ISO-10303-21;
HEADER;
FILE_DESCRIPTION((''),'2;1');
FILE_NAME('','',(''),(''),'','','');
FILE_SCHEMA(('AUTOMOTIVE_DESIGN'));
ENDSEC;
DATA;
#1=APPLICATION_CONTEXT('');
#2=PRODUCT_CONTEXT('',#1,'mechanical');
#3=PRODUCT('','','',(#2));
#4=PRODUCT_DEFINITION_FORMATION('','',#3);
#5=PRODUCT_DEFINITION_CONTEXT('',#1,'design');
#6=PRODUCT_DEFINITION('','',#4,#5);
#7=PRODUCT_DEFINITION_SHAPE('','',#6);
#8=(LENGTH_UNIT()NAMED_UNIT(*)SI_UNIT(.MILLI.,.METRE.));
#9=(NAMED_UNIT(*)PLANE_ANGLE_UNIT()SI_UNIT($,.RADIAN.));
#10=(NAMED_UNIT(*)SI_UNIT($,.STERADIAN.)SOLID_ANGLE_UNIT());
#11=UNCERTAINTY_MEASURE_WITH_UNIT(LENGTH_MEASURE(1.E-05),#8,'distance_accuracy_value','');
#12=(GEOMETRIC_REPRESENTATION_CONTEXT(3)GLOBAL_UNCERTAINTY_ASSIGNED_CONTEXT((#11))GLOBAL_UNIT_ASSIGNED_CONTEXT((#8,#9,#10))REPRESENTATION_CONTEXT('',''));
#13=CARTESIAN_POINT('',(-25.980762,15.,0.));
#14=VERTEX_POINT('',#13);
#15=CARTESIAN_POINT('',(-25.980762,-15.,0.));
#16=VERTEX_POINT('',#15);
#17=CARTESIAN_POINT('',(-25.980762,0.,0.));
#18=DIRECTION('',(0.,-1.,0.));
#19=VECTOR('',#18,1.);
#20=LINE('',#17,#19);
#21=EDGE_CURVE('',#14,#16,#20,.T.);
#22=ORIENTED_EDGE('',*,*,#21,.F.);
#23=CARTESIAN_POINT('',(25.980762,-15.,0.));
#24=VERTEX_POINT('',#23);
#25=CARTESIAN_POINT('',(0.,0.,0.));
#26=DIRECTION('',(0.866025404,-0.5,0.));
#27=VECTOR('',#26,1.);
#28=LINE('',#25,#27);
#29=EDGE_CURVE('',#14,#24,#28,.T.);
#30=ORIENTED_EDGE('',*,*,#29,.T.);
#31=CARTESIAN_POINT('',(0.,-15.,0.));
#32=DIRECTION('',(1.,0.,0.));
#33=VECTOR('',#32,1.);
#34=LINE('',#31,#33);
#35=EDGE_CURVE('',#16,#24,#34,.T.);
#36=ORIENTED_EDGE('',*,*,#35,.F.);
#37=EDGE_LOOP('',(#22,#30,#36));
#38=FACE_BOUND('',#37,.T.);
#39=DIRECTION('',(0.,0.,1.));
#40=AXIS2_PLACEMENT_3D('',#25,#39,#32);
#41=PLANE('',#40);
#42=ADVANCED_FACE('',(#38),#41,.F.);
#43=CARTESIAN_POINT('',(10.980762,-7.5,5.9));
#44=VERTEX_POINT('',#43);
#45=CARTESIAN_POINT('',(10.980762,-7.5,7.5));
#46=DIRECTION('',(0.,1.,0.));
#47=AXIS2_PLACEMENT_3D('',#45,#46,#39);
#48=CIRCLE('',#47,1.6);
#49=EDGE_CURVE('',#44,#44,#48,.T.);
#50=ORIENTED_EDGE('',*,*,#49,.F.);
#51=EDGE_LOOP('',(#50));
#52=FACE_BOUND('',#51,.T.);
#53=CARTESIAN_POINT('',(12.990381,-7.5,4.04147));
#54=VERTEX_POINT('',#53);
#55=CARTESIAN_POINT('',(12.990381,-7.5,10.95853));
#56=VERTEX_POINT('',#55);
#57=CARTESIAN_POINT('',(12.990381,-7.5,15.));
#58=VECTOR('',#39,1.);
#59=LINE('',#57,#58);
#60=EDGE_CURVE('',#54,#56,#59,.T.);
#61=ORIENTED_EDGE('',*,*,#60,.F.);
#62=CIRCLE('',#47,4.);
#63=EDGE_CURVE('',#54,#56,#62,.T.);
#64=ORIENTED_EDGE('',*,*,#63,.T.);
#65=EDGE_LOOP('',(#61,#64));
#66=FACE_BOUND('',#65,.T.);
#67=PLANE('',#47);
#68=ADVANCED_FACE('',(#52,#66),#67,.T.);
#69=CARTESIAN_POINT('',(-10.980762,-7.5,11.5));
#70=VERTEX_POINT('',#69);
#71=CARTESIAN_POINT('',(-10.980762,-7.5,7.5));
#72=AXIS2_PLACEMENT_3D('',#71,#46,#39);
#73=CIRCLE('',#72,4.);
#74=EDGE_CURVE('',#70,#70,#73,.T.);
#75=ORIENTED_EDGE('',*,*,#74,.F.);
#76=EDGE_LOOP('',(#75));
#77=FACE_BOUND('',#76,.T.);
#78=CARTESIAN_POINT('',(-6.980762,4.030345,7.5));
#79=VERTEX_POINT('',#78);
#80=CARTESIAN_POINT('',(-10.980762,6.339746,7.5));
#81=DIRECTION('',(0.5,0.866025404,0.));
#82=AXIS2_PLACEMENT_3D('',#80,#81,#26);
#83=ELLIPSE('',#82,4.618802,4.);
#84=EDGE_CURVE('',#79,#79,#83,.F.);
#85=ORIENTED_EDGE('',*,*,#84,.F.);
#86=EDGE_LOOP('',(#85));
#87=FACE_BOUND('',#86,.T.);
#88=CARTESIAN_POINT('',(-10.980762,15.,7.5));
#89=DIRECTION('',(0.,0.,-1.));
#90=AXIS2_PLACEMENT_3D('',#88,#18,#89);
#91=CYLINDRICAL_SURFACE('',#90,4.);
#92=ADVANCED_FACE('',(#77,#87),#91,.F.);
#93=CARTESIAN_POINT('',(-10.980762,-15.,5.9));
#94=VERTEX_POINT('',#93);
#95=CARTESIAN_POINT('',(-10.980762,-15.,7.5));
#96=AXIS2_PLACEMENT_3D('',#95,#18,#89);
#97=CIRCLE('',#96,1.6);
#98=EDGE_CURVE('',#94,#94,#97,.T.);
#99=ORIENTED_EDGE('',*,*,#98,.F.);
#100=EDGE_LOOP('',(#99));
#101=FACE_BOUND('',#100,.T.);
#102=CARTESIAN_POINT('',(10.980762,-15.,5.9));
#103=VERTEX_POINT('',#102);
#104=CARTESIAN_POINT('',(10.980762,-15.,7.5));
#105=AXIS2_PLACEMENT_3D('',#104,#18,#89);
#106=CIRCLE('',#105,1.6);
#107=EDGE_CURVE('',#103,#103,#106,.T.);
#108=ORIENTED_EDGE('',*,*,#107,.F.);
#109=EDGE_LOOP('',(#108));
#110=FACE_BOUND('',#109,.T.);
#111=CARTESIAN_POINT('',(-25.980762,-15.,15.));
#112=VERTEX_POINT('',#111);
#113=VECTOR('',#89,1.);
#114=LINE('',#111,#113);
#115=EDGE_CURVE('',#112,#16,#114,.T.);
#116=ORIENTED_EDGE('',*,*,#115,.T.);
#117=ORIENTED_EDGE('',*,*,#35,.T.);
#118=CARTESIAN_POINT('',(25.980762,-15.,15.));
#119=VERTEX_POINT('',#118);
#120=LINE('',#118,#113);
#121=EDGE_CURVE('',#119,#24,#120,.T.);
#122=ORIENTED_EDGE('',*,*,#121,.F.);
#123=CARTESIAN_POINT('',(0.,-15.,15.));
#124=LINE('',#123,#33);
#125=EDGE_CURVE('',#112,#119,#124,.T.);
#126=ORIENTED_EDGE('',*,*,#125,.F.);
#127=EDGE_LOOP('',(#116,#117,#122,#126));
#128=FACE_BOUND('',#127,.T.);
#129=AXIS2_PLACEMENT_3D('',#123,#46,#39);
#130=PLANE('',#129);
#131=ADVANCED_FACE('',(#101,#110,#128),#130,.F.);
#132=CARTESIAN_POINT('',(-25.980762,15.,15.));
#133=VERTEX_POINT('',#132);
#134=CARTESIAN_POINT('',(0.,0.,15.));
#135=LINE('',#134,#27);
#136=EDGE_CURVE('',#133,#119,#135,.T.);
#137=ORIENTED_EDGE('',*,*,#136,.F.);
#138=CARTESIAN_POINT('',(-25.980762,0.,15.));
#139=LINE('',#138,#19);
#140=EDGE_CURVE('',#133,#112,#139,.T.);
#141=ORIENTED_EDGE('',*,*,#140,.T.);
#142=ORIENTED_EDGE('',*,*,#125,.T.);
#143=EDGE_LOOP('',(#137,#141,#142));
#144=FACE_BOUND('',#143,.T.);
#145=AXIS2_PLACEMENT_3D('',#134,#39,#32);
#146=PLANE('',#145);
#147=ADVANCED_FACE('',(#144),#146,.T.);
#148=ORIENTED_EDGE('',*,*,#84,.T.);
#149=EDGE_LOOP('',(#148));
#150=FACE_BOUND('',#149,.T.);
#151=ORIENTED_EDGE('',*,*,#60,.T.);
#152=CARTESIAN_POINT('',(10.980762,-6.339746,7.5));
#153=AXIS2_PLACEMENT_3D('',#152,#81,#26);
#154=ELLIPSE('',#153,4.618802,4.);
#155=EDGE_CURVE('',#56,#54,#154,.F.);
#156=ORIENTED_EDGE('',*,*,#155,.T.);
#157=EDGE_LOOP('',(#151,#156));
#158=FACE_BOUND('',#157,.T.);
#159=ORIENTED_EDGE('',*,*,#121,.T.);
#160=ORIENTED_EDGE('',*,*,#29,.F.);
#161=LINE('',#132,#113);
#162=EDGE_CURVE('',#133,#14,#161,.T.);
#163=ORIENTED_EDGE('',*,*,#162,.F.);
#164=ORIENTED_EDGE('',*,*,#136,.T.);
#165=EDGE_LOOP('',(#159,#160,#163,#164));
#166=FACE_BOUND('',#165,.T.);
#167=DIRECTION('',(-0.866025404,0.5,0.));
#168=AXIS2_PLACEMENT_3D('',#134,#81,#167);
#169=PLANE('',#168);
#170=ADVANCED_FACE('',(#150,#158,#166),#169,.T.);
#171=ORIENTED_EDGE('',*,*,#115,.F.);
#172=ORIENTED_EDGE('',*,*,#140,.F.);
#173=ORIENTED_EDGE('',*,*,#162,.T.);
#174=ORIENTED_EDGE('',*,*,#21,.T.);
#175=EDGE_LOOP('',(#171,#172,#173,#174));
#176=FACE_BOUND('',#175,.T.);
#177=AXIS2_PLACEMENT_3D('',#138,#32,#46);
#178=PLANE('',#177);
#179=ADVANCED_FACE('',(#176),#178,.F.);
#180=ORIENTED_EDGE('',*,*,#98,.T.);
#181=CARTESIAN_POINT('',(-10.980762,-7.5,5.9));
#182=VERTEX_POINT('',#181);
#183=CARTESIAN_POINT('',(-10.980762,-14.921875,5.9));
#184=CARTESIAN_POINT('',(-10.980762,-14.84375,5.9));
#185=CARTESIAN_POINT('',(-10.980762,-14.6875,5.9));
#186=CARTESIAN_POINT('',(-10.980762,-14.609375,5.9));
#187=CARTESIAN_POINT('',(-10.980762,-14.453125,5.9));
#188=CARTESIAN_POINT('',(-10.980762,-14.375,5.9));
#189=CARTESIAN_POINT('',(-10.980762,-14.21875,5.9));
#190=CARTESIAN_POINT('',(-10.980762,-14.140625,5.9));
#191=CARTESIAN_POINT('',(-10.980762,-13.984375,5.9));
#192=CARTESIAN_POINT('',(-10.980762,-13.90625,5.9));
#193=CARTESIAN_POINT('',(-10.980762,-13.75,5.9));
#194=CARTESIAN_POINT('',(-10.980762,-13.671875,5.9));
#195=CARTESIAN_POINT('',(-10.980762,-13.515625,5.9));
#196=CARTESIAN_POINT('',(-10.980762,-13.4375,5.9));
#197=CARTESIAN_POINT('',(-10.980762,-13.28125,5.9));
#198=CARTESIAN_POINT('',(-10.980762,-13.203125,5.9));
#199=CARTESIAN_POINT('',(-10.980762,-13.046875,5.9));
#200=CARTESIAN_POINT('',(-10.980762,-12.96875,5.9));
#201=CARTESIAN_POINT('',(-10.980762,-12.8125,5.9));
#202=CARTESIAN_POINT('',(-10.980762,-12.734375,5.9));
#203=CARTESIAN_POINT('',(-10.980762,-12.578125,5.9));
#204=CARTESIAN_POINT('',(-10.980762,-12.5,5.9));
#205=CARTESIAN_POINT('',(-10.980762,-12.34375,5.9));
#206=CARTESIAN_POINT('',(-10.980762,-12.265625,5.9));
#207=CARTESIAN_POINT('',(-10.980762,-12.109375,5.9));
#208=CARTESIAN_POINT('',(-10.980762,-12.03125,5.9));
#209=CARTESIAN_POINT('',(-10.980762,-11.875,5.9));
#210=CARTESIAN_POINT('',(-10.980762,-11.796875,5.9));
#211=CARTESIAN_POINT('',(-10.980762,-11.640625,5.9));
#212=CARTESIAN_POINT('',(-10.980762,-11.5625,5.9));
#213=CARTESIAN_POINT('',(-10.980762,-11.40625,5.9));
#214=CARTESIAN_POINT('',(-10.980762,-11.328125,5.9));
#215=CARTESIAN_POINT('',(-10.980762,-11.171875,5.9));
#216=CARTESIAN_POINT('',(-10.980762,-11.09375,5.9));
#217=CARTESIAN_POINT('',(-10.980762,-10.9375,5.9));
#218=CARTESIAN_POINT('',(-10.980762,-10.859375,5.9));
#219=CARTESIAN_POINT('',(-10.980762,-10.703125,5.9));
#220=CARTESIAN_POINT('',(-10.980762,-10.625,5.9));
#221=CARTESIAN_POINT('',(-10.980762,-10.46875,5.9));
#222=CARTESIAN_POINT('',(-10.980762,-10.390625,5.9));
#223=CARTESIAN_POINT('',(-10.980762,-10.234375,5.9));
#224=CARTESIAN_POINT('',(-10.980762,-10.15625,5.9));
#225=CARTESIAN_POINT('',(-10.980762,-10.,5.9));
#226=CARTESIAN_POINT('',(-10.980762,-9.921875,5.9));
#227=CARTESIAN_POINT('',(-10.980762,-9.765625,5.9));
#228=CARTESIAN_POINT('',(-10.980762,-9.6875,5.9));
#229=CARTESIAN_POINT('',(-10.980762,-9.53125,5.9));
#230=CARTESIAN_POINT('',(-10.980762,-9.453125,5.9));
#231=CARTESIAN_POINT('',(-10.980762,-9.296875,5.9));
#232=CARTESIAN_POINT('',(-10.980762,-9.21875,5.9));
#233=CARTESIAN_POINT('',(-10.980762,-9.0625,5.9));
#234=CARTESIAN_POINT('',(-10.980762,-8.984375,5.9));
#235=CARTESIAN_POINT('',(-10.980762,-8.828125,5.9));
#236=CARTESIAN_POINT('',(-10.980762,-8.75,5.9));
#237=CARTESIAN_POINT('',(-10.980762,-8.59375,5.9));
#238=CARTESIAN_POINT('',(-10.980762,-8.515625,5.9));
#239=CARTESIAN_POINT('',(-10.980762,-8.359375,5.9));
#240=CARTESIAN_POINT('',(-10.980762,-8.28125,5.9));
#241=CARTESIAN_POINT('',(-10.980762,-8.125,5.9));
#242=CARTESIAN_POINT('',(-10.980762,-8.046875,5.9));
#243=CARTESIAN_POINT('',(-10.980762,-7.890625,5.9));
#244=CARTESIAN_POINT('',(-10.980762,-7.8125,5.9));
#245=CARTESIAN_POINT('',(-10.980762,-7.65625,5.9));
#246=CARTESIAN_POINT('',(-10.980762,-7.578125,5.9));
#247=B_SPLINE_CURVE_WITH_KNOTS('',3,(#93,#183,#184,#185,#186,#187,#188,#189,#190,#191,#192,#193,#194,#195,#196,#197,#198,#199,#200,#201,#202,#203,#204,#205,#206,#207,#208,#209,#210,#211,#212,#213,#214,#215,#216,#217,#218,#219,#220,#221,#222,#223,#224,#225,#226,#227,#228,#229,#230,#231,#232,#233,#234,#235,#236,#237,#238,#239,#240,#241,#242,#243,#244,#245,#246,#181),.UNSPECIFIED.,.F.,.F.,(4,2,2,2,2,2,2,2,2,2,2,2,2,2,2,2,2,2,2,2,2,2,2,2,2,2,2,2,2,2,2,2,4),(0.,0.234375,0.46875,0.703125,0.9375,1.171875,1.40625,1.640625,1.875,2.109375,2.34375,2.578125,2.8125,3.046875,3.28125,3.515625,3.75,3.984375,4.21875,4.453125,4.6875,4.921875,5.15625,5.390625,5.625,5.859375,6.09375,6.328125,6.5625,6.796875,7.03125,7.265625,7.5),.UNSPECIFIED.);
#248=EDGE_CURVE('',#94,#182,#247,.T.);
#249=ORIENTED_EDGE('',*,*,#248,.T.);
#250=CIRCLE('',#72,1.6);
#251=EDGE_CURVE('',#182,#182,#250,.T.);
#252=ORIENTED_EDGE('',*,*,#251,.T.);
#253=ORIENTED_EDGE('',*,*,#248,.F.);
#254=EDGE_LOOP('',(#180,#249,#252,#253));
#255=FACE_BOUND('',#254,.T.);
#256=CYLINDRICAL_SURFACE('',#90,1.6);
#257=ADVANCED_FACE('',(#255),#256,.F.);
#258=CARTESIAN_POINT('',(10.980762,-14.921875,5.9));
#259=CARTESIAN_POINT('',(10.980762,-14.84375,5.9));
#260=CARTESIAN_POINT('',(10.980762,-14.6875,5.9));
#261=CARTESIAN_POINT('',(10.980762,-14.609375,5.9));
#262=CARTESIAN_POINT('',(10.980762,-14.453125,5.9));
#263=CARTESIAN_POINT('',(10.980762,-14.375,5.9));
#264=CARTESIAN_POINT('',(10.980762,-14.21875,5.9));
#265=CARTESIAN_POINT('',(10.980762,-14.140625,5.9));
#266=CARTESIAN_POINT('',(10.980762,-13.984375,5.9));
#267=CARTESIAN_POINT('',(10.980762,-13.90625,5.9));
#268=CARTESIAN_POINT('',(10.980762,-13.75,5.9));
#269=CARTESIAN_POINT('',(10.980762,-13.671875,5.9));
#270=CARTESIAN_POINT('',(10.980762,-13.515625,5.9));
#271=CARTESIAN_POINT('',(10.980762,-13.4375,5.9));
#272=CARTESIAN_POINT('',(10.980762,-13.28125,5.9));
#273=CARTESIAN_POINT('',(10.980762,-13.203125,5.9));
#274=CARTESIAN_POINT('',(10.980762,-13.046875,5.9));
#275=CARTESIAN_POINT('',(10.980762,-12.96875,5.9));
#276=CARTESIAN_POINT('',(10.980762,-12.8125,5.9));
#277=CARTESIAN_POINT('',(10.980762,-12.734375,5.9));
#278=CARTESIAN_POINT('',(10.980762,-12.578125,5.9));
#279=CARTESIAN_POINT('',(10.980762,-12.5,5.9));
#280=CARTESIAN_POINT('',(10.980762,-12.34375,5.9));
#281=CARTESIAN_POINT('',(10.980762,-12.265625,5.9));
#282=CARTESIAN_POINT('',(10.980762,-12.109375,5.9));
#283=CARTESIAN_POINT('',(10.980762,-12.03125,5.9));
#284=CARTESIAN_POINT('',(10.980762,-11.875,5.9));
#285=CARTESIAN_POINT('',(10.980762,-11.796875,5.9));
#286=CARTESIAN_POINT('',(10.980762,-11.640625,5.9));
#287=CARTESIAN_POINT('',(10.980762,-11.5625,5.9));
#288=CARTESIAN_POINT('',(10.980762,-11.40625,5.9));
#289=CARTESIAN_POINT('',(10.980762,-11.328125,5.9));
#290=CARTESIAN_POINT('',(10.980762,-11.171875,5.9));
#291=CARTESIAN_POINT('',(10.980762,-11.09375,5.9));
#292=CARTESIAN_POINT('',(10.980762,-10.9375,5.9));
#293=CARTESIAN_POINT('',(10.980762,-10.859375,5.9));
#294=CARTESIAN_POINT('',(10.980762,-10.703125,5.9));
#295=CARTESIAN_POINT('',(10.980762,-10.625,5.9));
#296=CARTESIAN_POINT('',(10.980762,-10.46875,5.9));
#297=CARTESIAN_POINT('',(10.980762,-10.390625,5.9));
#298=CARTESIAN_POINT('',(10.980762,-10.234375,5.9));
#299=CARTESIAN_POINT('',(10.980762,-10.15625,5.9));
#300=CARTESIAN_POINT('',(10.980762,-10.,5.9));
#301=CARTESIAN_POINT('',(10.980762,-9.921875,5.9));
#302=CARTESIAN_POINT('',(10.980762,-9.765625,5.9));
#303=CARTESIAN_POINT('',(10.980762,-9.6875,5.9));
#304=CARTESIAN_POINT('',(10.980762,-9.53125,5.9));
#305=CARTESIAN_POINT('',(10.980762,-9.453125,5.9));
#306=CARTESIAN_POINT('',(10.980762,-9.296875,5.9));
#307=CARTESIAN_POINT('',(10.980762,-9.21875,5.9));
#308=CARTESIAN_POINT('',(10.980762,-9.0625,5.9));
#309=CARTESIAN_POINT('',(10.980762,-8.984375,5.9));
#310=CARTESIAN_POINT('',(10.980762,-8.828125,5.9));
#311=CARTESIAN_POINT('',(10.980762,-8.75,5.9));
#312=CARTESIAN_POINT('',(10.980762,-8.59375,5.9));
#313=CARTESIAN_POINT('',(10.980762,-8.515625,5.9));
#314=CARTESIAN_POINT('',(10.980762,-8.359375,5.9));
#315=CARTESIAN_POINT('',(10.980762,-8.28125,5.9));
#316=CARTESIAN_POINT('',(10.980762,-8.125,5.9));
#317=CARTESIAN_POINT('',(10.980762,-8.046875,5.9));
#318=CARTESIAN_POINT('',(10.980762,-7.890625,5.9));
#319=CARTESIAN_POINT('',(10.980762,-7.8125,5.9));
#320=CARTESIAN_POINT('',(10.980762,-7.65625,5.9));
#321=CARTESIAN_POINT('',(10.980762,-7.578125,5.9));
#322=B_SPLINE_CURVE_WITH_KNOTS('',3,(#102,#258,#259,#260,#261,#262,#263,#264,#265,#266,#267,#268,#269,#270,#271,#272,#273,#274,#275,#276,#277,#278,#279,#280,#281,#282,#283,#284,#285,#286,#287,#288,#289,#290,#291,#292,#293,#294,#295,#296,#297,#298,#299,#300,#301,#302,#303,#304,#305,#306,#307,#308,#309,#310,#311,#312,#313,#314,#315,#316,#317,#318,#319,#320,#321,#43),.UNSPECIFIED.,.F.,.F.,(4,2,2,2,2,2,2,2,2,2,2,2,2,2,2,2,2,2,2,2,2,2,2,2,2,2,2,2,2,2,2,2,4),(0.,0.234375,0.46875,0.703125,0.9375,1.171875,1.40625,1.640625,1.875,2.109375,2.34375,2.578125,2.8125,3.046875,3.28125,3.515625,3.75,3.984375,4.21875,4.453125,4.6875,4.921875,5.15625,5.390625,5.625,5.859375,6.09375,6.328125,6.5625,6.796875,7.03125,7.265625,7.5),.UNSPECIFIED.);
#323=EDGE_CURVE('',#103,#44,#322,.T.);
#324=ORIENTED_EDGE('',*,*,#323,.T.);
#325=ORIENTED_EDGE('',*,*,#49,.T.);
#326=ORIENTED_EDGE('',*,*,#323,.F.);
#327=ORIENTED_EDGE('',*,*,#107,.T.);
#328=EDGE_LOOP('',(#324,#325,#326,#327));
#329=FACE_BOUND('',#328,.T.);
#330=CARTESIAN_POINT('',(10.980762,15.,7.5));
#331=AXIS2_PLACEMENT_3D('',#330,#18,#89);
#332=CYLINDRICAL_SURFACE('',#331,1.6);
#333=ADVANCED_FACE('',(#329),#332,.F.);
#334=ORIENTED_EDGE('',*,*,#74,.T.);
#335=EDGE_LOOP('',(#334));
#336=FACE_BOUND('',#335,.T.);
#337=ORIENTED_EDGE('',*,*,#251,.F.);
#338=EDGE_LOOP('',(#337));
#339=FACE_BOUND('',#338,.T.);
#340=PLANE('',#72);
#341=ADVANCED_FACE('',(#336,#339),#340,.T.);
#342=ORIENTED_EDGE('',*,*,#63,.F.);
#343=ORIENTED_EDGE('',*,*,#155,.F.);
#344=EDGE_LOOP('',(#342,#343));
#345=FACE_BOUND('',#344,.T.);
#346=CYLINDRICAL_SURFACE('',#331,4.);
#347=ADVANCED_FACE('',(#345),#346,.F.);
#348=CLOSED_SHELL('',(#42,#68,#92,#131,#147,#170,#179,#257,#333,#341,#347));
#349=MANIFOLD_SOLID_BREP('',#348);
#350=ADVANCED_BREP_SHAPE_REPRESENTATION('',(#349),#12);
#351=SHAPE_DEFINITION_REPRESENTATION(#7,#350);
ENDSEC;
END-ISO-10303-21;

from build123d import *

# Parameters (mm, degrees)
EXTRUDE_1_DEPTH          = 15
SKETCH_2_R               = 1.6
CUT_EXTRUDE_1_DEPTH      = 43.426406871
CUT_EXTRUDE_2_DEPTH      = 34.541019662
CUT_EXTRUDE_2_DEPTH_BACK = 7.5
SKETCH_3_R               = 4
SKETCH_3_R_2             = 1.6


with BuildPart() as part:
    # ｽｹｯﾁ1 → ﾎﾞｽ - 押し出し1 (new body)
    with BuildSketch(Plane.XY):
        Polygon((-25.980762114, 15), (-25.980762114, -15), (25.980762114, -15), align=None)
    extrude(amount=EXTRUDE_1_DEPTH)

    # ｽｹｯﾁ2 → ｶｯﾄ - 押し出し1 (cut, through all)
    with BuildSketch(Plane.XZ.offset(15)):
        with Locations(Location((-10.980762114, 7.5, 0), (0, 0, 270))):
            Circle(SKETCH_2_R)
        with Locations(Location((10.980762114, 7.5, 0), (0, 0, 270))):
            Circle(SKETCH_2_R)
    extrude(amount=-CUT_EXTRUDE_1_DEPTH, mode=Mode.SUBTRACT)

    # ｽｹｯﾁ3 → ｶｯﾄ - 押し出し2 (cut, two sides: drawn at the far end of the back side and taken through both)
    # profile 1 of 2: a face of its own
    with BuildSketch(Plane(origin=(0, 0, 0), x_dir=(1, 0, 0), z_dir=(0, 1, 0)).offset(-CUT_EXTRUDE_2_DEPTH_BACK)):
        with Locations((-10.980762114, -7.5)):
            Circle(SKETCH_3_R)
        with Locations(Location((-10.980762114, -7.5, 0), (0, 0, 90))):
            Circle(SKETCH_3_R_2, mode=Mode.SUBTRACT)
    # profile 2 of 2: a face of its own
    with BuildSketch(Plane(origin=(0, 0, 0), x_dir=(1, 0, 0), z_dir=(0, 1, 0)).offset(-CUT_EXTRUDE_2_DEPTH_BACK)):
        with Locations((10.980762114, -7.5)):
            Circle(SKETCH_3_R)
        with Locations(Location((10.980762114, -7.5, 0), (0, 0, 90))):
            Circle(SKETCH_3_R_2, mode=Mode.SUBTRACT)
    extrude(amount=CUT_EXTRUDE_2_DEPTH + CUT_EXTRUDE_2_DEPTH_BACK, mode=Mode.SUBTRACT)


solid = part.part
